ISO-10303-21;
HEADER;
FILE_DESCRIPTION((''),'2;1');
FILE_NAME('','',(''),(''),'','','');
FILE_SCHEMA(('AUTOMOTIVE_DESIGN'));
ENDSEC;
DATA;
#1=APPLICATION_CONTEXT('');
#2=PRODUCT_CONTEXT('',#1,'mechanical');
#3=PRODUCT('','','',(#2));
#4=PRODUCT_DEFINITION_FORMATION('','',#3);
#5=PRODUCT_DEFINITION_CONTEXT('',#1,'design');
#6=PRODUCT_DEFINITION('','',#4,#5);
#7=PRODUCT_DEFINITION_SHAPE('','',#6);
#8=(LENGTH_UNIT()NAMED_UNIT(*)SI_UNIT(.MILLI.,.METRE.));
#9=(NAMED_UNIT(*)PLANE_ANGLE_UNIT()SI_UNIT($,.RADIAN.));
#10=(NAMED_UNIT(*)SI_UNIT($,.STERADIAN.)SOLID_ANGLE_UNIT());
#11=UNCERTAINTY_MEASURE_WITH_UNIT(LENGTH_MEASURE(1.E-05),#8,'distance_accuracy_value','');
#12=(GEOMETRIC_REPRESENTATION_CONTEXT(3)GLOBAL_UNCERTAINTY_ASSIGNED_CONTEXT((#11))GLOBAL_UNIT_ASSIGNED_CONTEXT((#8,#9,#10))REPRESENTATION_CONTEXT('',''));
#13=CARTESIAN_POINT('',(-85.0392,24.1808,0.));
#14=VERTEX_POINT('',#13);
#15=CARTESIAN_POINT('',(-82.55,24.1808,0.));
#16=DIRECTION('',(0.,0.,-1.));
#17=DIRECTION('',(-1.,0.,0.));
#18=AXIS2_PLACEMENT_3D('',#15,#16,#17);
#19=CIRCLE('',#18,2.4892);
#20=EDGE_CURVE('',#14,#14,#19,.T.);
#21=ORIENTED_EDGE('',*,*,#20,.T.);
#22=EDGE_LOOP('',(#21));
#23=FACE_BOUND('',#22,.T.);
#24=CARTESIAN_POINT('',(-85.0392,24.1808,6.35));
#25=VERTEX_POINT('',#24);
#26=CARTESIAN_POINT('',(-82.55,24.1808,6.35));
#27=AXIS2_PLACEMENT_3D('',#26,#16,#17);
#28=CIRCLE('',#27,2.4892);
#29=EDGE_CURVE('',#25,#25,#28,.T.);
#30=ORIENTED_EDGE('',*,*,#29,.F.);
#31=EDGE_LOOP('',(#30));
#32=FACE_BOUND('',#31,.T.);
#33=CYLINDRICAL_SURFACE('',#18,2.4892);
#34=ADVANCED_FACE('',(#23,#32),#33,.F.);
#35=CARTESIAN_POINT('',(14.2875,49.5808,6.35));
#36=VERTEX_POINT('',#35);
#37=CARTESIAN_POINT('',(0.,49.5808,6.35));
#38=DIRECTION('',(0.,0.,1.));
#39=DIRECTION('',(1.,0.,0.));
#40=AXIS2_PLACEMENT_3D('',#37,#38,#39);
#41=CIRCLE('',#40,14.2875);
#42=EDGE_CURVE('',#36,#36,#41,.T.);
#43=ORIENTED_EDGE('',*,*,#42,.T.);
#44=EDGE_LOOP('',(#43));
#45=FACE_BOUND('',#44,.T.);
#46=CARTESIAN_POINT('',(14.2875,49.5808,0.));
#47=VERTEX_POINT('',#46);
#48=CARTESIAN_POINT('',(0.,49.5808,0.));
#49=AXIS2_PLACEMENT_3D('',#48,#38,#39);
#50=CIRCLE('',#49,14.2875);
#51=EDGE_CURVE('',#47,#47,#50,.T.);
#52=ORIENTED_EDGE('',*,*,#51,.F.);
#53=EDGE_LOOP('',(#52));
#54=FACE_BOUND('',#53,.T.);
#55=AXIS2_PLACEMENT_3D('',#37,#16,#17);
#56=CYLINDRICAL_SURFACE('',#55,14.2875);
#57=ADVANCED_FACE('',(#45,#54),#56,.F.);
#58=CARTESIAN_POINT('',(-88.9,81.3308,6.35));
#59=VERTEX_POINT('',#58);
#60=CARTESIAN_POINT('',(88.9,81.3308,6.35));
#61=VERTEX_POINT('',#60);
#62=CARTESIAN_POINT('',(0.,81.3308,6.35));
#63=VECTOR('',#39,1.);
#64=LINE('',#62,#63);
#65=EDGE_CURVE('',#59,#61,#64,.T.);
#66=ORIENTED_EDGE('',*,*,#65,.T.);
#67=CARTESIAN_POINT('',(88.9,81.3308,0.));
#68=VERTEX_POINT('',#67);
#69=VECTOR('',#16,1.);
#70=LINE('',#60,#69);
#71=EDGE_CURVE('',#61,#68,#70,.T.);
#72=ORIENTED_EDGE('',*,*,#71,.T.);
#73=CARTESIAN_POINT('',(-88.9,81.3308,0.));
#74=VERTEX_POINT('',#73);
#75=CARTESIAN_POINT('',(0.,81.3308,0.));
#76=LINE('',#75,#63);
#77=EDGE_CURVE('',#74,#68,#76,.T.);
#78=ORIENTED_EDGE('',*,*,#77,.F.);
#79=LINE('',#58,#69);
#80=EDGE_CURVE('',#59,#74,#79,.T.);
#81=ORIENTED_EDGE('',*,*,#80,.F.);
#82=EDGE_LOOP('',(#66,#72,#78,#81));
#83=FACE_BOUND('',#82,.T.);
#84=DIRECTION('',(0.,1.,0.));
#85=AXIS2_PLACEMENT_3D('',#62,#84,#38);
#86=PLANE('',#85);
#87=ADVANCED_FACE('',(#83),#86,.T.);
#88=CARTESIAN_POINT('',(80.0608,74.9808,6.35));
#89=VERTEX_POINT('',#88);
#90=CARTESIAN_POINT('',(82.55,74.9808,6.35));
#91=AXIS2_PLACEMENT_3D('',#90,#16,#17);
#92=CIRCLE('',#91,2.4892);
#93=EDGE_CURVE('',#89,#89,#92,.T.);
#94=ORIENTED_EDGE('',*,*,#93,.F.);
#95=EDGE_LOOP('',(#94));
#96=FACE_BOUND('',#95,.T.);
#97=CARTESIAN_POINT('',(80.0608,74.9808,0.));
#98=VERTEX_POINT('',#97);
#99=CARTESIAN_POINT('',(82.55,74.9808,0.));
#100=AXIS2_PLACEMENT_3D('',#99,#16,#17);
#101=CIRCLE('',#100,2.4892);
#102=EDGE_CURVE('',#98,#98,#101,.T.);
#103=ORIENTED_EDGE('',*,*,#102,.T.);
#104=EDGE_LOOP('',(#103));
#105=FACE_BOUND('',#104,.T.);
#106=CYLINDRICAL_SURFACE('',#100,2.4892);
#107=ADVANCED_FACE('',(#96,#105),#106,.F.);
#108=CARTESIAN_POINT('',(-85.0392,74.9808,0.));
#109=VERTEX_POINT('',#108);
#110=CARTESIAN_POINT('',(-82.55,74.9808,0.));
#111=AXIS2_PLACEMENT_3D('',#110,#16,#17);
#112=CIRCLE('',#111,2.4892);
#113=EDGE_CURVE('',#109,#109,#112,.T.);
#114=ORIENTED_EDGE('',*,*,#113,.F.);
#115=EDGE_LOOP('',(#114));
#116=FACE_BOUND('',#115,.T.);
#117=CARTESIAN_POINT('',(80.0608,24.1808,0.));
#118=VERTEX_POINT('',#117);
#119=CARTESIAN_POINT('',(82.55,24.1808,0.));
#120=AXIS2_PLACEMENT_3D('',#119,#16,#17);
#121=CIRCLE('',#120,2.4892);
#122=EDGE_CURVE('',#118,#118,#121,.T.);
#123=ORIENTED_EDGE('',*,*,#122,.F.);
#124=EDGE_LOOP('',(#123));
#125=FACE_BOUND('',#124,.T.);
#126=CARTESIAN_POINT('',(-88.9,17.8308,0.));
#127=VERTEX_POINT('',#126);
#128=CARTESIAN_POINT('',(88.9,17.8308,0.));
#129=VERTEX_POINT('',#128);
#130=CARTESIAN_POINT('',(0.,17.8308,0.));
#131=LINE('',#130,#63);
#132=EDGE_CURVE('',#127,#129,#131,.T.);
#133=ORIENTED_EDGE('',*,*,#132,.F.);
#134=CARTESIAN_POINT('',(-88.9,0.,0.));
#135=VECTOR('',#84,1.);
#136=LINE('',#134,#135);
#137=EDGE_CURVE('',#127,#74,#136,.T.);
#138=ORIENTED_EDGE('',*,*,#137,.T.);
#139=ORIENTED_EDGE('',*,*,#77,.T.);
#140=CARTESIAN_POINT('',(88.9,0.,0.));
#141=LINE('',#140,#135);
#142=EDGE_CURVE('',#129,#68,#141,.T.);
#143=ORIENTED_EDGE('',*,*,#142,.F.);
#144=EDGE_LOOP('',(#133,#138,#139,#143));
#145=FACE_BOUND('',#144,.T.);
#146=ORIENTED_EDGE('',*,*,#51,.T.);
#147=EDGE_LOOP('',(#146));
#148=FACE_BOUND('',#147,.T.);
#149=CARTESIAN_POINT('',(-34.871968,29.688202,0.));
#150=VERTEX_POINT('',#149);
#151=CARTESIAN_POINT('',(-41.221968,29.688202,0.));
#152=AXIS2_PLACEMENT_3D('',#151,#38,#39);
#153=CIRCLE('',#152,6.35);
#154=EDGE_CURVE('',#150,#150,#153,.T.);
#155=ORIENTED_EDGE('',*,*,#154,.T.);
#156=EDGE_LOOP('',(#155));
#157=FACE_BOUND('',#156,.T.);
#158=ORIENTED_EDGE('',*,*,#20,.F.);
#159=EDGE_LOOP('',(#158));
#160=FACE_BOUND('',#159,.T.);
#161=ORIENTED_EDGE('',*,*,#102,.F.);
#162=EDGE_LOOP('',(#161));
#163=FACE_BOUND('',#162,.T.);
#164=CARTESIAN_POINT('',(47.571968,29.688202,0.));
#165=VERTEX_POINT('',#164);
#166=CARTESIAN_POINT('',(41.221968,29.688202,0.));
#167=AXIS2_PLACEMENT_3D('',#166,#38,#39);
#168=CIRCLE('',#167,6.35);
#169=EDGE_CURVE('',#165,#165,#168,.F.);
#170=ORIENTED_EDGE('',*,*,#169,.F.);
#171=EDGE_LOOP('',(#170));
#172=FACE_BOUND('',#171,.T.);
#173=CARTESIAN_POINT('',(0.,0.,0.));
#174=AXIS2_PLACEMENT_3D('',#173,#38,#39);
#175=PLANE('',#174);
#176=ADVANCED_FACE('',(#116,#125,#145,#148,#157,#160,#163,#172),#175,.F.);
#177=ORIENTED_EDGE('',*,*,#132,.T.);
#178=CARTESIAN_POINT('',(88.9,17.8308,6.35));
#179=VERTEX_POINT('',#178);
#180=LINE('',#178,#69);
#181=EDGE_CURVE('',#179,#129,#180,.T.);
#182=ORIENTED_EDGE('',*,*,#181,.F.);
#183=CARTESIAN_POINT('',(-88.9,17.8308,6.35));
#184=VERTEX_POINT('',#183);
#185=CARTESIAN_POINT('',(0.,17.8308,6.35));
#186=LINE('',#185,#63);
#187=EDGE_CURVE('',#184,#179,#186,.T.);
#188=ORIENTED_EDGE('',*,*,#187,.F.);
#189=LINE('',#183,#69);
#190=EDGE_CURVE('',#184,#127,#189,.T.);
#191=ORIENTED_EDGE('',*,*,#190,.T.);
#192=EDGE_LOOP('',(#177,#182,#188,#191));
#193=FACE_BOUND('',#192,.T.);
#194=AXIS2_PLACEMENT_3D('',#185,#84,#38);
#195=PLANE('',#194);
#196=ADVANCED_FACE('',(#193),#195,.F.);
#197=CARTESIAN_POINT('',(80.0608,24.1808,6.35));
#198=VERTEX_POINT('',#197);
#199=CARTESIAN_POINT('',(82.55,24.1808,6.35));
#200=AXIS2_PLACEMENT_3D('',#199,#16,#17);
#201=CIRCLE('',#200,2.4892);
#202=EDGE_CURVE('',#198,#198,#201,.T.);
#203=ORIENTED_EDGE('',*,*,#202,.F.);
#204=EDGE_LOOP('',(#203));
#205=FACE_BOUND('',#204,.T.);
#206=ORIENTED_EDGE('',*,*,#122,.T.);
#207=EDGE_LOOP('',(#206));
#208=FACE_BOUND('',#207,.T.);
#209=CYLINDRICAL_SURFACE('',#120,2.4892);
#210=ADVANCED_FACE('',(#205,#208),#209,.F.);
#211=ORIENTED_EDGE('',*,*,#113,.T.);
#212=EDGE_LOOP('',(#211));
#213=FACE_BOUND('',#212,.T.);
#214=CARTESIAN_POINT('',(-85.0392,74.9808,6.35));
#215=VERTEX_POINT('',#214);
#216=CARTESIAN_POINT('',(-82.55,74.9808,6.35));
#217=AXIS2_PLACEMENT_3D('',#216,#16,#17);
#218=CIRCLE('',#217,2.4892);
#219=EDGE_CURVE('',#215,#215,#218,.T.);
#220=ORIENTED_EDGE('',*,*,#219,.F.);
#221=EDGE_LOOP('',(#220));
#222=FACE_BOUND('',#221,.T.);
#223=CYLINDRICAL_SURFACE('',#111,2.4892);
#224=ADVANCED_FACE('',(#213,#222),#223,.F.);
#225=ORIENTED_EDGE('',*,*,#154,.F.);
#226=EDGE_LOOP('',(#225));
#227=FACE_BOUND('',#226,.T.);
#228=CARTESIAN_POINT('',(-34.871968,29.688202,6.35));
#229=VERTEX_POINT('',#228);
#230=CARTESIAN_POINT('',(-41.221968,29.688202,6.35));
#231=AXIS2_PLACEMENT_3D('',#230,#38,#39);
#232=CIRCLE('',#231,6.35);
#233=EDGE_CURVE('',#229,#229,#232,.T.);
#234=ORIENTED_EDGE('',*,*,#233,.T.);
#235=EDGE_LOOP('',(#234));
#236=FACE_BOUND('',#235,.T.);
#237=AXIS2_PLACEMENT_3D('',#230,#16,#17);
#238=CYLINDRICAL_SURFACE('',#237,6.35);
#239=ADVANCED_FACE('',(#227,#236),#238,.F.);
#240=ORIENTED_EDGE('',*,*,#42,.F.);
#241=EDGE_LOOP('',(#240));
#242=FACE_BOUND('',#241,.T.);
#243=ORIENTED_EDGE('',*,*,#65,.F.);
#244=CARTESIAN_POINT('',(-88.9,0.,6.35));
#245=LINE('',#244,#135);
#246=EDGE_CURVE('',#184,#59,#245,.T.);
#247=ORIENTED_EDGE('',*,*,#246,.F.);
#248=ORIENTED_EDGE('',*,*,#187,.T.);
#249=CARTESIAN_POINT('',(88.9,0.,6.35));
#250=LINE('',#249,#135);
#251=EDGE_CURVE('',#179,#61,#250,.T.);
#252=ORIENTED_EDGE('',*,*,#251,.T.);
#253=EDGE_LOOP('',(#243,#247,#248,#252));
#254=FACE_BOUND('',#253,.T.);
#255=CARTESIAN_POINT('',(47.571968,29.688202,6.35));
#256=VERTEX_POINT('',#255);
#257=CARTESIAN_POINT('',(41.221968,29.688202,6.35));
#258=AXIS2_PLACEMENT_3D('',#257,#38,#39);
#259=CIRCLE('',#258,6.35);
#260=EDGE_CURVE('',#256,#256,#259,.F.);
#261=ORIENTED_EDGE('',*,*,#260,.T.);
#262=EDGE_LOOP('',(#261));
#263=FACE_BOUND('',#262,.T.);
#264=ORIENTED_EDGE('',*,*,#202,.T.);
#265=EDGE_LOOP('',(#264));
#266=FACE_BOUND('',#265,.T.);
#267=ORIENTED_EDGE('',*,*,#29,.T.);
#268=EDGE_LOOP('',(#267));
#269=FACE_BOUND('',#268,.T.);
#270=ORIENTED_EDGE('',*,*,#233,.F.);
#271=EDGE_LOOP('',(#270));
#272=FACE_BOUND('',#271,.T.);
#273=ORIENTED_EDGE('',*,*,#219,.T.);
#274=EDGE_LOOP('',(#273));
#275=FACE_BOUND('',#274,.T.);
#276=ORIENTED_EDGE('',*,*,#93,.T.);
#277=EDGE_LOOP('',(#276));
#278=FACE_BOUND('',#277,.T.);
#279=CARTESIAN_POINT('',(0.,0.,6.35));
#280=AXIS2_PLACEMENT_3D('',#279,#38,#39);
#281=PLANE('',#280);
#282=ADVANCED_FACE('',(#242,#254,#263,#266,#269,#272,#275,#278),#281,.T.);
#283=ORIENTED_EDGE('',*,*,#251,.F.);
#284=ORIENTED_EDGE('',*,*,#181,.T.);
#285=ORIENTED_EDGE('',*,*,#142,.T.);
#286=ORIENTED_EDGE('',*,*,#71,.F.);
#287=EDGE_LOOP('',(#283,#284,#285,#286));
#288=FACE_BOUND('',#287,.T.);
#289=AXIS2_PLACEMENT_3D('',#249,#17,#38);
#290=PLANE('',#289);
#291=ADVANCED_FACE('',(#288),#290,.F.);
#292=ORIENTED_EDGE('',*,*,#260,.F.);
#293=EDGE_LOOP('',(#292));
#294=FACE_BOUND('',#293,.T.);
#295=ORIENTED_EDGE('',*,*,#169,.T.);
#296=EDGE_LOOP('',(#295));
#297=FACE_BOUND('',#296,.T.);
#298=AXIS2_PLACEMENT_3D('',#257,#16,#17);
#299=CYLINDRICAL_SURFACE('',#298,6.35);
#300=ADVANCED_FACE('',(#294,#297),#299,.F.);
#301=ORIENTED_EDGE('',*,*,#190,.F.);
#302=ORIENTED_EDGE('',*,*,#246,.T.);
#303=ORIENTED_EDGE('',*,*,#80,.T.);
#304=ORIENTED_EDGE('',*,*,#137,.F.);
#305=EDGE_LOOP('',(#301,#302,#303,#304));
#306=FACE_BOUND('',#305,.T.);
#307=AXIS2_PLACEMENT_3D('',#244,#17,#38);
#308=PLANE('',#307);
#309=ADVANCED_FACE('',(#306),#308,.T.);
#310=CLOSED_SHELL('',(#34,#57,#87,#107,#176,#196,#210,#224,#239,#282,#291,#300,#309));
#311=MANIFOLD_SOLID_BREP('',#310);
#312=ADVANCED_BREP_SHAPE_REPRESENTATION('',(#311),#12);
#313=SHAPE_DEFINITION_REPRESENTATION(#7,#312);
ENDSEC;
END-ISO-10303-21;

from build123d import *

# Parameters (mm, degrees)
SKETCH1_W                  = 177.8
SKETCH1_H                  = 63.5
SKETCH1_R                  = 6.35
SKETCH1_R_2                = 14.2875
BOSS_EXTRUDE2_DEPTH        = 6.35
F_9_0_196_DIAMETER_HOLE1_D = 4.9784


with BuildPart() as part:
    # Sketch1 → Boss-Extrude2 (new body)
    with BuildSketch(Plane.XY):
        with Locations((0, 49.5808)):
            Rectangle(SKETCH1_W, SKETCH1_H)
        with Locations((-41.221968309, 29.688201844)):
            Circle(SKETCH1_R, mode=Mode.SUBTRACT)
        with Locations((0, 49.5808)):
            Circle(SKETCH1_R_2, mode=Mode.SUBTRACT)
        with Locations((41.221968309, 29.688201844)):
            Circle(SKETCH1_R, mode=Mode.SUBTRACT)
    extrude(amount=BOSS_EXTRUDE2_DEPTH)

    # #9 (0.196) Diameter Hole1 (through all)
    with Locations(Plane(origin=(0, 0, 0), x_dir=(-1, 0, 0), z_dir=(0, 0, -1))):
        with Locations((-82.55, 74.9808), (-82.55, 24.1808), (82.55, 24.1808), (82.55, 74.9808)):
            Hole(F_9_0_196_DIAMETER_HOLE1_D / 2)


solid = part.part
